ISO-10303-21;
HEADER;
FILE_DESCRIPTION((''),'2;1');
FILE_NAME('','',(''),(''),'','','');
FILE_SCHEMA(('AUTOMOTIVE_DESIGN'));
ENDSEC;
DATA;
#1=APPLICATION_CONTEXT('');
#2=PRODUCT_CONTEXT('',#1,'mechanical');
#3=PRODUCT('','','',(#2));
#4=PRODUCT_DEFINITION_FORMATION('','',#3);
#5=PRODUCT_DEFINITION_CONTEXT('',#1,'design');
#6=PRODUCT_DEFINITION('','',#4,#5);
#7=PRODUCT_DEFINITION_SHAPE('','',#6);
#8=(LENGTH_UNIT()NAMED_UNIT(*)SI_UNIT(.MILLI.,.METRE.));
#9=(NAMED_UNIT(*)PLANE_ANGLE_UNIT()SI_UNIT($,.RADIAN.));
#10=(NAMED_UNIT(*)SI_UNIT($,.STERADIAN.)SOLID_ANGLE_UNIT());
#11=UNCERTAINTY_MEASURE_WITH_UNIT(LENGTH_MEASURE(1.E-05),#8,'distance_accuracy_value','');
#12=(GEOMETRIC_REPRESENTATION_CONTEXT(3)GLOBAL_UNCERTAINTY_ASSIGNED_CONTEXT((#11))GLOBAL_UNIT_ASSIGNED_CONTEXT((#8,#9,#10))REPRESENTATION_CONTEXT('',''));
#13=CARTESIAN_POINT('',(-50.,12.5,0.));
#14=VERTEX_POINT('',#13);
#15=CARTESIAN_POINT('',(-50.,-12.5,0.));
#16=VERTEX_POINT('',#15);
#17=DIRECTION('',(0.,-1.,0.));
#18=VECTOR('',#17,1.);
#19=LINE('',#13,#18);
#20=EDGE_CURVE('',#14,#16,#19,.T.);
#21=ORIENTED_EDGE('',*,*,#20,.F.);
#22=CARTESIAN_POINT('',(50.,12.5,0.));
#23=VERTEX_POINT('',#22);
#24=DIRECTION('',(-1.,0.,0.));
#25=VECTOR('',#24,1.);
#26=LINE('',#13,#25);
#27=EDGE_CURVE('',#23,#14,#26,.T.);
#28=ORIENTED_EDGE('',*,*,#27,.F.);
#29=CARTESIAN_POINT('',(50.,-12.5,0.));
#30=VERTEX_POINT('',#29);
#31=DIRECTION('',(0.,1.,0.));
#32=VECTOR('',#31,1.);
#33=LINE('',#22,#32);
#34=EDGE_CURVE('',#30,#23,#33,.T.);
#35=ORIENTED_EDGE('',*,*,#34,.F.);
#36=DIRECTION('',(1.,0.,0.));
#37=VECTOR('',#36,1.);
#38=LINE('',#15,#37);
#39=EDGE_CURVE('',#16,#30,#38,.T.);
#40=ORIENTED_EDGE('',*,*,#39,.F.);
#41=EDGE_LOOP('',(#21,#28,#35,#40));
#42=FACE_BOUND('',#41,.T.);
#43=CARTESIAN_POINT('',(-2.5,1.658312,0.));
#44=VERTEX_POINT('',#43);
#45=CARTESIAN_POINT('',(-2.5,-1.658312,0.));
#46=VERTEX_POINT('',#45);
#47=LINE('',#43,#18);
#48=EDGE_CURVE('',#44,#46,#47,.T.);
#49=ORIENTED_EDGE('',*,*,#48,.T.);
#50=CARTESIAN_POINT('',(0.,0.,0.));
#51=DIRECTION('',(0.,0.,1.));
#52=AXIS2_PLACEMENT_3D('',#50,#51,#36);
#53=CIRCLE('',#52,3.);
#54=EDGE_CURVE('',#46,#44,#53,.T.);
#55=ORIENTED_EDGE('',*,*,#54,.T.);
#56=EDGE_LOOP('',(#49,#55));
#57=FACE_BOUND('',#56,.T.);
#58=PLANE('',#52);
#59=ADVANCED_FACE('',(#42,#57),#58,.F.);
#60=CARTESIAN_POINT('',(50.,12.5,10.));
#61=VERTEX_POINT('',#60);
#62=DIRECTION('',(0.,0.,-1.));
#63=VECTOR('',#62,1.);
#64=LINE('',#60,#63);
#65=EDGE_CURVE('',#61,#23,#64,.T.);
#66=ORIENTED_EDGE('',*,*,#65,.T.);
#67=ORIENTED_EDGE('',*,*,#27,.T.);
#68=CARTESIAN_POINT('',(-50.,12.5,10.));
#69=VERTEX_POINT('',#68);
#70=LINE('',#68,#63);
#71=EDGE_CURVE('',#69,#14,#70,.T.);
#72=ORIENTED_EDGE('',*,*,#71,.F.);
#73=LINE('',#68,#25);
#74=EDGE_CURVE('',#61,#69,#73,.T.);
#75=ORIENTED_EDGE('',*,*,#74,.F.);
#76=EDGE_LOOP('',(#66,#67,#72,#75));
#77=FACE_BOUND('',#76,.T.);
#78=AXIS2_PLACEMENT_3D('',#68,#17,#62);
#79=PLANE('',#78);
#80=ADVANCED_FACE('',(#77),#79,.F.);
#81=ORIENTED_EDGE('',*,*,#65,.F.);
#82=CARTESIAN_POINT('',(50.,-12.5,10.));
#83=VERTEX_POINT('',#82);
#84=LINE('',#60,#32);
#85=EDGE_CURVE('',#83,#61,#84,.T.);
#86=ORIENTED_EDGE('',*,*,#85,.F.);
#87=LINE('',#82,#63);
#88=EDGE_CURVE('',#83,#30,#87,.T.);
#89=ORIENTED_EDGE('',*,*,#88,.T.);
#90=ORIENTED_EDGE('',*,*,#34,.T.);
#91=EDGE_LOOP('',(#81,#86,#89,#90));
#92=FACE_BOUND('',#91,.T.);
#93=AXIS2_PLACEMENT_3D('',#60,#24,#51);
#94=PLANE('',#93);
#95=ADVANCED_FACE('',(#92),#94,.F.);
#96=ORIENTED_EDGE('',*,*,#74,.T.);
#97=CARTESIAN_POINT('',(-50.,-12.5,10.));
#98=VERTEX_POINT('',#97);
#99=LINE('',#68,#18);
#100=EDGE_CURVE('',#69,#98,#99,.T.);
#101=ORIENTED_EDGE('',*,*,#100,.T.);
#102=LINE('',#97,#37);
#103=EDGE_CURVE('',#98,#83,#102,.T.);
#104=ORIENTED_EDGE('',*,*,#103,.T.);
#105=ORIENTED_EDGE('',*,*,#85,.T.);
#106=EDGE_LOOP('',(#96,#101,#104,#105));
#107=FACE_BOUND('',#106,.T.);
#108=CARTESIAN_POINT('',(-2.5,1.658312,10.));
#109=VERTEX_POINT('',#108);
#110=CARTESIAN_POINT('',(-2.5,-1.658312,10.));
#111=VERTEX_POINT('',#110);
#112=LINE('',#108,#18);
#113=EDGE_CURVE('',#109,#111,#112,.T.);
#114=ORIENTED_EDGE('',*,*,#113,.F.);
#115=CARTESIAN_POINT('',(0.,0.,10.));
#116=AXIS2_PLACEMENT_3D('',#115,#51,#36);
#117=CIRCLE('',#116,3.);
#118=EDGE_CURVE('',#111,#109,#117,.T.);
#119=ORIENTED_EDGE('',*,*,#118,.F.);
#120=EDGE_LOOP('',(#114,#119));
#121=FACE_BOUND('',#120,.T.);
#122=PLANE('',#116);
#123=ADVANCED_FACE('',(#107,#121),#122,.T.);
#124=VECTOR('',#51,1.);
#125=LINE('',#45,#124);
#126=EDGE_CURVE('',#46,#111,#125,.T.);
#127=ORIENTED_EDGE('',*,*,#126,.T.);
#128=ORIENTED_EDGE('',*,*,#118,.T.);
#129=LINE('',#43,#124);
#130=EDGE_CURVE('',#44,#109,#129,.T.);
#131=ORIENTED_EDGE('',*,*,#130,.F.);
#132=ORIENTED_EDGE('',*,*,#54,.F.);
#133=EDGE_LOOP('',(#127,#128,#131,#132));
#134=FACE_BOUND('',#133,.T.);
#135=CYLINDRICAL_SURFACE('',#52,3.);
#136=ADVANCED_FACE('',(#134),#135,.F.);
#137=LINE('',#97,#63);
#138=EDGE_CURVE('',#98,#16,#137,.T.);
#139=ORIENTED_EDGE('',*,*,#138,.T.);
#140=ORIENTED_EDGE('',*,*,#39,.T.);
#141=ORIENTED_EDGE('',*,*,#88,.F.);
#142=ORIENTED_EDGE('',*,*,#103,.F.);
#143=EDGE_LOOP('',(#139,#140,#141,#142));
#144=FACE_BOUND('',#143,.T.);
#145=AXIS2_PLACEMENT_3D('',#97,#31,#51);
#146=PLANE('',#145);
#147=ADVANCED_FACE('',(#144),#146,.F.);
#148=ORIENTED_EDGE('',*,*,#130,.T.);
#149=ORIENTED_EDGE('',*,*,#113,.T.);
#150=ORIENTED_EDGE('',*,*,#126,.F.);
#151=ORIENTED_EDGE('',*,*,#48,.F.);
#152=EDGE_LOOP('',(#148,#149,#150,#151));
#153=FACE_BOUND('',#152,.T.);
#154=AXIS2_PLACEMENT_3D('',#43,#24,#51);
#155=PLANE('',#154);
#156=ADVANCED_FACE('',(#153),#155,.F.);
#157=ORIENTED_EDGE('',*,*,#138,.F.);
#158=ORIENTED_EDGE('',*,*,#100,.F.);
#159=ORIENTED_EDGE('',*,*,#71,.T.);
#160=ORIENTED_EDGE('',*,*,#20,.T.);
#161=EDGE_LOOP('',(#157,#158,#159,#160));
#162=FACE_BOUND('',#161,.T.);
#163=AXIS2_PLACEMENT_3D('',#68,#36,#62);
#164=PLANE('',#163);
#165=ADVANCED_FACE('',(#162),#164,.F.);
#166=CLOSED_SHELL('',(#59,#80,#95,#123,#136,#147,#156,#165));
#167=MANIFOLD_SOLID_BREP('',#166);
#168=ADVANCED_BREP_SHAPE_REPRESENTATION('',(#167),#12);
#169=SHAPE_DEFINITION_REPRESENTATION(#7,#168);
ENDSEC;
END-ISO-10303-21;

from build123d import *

# Parameters (mm, degrees)
SKETCH1_W           = 100
SKETCH1_H           = 25
BOSS_EXTRUDE1_DEPTH = 10
CUT_EXTRUDE1_DEPTH  = 10


with BuildPart() as part:
    # Sketch1 → Boss-Extrude1 (new body)
    with BuildSketch(Plane.XY):
        Rectangle(SKETCH1_W, SKETCH1_H)
    extrude(amount=BOSS_EXTRUDE1_DEPTH)

    # Sketch2 → Cut-Extrude1 (cut)
    with BuildSketch(Plane.XY.offset(10)):
        with BuildLine():
            Line((-2.5, 1.658312395), (-2.5, -1.658312395))
            ThreePointArc((-2.5, -1.658312395), (3, 0), (-2.5, 1.658312395))
        make_face()
    extrude(amount=-CUT_EXTRUDE1_DEPTH, mode=Mode.SUBTRACT)


solid = part.part
